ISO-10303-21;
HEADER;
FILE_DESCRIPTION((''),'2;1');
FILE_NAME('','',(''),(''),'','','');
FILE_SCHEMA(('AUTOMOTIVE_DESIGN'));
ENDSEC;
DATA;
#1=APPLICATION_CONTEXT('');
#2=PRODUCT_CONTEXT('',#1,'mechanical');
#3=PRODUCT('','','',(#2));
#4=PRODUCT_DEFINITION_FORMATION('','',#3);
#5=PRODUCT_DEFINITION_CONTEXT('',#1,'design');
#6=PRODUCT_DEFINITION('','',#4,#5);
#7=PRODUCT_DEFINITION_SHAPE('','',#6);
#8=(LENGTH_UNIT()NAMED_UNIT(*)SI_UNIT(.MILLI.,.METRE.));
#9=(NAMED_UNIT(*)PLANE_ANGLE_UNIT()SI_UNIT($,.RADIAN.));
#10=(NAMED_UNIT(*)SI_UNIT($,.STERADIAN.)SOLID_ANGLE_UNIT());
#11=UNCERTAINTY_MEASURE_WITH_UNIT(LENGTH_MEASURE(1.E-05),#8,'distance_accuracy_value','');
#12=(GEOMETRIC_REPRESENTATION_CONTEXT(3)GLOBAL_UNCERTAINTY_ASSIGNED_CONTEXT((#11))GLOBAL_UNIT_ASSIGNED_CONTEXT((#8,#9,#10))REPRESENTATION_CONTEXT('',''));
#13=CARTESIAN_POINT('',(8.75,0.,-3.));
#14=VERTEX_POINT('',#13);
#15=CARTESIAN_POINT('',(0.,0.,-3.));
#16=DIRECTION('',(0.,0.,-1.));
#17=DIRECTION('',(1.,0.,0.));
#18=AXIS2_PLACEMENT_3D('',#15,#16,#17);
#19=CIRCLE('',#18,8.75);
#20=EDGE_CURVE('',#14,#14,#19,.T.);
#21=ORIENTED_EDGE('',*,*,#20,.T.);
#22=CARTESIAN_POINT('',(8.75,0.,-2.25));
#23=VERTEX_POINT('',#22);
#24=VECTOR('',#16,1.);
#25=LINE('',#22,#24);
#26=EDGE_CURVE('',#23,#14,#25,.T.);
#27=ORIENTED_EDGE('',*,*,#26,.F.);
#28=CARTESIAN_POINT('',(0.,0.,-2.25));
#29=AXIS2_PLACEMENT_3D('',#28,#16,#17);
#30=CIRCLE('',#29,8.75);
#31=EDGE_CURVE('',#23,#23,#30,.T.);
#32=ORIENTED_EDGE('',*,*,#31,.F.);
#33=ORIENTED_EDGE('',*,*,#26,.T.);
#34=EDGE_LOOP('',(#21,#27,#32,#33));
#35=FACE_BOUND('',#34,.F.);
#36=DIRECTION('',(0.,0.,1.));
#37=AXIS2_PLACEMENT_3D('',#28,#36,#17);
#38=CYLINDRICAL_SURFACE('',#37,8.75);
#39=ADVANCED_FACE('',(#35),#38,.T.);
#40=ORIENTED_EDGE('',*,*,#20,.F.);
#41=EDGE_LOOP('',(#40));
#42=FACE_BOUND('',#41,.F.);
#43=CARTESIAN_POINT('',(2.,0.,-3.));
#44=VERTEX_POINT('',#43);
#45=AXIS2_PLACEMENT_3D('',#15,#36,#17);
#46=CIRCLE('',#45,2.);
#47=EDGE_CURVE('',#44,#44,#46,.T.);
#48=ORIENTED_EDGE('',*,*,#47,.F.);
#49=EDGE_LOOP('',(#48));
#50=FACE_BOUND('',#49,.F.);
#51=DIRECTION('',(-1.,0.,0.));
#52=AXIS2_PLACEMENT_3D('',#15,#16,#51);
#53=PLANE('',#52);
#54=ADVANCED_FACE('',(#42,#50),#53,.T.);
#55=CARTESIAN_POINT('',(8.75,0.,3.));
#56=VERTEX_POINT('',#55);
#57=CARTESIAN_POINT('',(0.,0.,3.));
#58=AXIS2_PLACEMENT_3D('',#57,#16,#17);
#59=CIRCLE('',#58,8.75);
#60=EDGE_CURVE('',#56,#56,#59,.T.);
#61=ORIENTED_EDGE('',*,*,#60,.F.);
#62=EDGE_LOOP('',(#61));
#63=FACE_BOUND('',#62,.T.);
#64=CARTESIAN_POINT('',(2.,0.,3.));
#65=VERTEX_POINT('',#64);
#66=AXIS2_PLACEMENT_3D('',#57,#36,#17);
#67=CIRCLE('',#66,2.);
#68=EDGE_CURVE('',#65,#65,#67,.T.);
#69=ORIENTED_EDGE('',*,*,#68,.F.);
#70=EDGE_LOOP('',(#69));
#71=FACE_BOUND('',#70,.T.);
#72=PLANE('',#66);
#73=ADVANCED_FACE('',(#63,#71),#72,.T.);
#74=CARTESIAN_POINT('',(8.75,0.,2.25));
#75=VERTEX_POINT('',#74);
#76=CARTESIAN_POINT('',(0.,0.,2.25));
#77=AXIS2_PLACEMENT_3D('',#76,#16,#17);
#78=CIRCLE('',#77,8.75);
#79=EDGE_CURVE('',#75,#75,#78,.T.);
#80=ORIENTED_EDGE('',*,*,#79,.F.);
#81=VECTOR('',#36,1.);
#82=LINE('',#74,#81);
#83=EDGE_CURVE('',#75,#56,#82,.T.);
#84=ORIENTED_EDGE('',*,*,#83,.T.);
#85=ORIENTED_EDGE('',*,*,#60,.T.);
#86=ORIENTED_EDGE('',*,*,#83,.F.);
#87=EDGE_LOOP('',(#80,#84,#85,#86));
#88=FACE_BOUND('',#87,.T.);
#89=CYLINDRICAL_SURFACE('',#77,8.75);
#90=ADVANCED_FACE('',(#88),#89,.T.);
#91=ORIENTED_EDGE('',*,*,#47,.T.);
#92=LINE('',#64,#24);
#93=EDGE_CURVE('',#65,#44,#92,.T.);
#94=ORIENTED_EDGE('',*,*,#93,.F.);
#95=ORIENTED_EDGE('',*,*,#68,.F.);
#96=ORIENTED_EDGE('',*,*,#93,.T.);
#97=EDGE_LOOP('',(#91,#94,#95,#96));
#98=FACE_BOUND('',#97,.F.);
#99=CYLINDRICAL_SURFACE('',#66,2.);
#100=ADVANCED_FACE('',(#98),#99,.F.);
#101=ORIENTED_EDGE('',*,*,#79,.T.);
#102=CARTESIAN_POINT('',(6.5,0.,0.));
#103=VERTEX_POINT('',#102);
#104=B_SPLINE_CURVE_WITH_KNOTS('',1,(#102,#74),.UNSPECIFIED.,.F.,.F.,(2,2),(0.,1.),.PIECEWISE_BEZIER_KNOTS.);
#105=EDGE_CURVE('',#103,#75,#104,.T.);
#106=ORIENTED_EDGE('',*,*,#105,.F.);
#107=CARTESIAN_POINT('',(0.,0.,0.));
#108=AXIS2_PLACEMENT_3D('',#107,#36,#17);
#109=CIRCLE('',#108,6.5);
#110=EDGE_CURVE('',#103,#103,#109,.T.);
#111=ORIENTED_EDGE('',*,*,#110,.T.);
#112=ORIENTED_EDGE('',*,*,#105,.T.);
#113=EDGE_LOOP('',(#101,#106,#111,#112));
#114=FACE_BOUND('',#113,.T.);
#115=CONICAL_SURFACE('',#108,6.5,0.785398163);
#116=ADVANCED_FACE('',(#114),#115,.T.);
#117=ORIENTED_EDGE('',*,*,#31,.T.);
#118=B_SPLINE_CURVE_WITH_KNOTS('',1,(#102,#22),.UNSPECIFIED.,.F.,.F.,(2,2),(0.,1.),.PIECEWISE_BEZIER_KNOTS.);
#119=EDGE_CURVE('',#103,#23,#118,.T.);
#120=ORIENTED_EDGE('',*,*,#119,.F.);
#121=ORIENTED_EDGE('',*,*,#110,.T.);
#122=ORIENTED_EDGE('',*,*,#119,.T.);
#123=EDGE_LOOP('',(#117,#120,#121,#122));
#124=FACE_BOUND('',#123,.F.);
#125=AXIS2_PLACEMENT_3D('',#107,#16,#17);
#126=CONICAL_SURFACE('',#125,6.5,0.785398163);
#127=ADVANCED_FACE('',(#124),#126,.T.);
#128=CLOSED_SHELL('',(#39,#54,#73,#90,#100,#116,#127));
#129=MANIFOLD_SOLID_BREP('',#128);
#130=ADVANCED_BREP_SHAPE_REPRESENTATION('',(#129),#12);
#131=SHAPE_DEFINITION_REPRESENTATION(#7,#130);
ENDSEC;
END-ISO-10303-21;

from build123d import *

# Parameters (mm, degrees)
F0_R     = 6.5
F1_DEPTH = 2.25
F1_TAPER = -45
F2_DEPTH = 0.75
F4_R     = 2
F5_DEPTH = 6


with BuildPart() as f1:
    # F0 (on Top) → F1 (new body)
    with BuildSketch(Plane.XY):
        Circle(F0_R)
    extrude(amount=F1_DEPTH, taper=F1_TAPER)

    # F2 (add): a face of the model
    f2_faces = [f1.faces().sort_by_distance(p)[0] for p in [
        (0, 0, 2.25),
    ]]
    extrude(f2_faces, amount=F2_DEPTH)

    # F3: F1 across plane


with BuildPart() as f1_1:
    add(f1.part)
    add(f1.part.mirror(Plane.XY))

    # F4 (on face) → F5 (cut, through all)
    with BuildSketch(Plane.XY.offset(3)):
        Circle(F4_R)
    extrude(amount=-F5_DEPTH, mode=Mode.SUBTRACT)


solid = f1_1.part
